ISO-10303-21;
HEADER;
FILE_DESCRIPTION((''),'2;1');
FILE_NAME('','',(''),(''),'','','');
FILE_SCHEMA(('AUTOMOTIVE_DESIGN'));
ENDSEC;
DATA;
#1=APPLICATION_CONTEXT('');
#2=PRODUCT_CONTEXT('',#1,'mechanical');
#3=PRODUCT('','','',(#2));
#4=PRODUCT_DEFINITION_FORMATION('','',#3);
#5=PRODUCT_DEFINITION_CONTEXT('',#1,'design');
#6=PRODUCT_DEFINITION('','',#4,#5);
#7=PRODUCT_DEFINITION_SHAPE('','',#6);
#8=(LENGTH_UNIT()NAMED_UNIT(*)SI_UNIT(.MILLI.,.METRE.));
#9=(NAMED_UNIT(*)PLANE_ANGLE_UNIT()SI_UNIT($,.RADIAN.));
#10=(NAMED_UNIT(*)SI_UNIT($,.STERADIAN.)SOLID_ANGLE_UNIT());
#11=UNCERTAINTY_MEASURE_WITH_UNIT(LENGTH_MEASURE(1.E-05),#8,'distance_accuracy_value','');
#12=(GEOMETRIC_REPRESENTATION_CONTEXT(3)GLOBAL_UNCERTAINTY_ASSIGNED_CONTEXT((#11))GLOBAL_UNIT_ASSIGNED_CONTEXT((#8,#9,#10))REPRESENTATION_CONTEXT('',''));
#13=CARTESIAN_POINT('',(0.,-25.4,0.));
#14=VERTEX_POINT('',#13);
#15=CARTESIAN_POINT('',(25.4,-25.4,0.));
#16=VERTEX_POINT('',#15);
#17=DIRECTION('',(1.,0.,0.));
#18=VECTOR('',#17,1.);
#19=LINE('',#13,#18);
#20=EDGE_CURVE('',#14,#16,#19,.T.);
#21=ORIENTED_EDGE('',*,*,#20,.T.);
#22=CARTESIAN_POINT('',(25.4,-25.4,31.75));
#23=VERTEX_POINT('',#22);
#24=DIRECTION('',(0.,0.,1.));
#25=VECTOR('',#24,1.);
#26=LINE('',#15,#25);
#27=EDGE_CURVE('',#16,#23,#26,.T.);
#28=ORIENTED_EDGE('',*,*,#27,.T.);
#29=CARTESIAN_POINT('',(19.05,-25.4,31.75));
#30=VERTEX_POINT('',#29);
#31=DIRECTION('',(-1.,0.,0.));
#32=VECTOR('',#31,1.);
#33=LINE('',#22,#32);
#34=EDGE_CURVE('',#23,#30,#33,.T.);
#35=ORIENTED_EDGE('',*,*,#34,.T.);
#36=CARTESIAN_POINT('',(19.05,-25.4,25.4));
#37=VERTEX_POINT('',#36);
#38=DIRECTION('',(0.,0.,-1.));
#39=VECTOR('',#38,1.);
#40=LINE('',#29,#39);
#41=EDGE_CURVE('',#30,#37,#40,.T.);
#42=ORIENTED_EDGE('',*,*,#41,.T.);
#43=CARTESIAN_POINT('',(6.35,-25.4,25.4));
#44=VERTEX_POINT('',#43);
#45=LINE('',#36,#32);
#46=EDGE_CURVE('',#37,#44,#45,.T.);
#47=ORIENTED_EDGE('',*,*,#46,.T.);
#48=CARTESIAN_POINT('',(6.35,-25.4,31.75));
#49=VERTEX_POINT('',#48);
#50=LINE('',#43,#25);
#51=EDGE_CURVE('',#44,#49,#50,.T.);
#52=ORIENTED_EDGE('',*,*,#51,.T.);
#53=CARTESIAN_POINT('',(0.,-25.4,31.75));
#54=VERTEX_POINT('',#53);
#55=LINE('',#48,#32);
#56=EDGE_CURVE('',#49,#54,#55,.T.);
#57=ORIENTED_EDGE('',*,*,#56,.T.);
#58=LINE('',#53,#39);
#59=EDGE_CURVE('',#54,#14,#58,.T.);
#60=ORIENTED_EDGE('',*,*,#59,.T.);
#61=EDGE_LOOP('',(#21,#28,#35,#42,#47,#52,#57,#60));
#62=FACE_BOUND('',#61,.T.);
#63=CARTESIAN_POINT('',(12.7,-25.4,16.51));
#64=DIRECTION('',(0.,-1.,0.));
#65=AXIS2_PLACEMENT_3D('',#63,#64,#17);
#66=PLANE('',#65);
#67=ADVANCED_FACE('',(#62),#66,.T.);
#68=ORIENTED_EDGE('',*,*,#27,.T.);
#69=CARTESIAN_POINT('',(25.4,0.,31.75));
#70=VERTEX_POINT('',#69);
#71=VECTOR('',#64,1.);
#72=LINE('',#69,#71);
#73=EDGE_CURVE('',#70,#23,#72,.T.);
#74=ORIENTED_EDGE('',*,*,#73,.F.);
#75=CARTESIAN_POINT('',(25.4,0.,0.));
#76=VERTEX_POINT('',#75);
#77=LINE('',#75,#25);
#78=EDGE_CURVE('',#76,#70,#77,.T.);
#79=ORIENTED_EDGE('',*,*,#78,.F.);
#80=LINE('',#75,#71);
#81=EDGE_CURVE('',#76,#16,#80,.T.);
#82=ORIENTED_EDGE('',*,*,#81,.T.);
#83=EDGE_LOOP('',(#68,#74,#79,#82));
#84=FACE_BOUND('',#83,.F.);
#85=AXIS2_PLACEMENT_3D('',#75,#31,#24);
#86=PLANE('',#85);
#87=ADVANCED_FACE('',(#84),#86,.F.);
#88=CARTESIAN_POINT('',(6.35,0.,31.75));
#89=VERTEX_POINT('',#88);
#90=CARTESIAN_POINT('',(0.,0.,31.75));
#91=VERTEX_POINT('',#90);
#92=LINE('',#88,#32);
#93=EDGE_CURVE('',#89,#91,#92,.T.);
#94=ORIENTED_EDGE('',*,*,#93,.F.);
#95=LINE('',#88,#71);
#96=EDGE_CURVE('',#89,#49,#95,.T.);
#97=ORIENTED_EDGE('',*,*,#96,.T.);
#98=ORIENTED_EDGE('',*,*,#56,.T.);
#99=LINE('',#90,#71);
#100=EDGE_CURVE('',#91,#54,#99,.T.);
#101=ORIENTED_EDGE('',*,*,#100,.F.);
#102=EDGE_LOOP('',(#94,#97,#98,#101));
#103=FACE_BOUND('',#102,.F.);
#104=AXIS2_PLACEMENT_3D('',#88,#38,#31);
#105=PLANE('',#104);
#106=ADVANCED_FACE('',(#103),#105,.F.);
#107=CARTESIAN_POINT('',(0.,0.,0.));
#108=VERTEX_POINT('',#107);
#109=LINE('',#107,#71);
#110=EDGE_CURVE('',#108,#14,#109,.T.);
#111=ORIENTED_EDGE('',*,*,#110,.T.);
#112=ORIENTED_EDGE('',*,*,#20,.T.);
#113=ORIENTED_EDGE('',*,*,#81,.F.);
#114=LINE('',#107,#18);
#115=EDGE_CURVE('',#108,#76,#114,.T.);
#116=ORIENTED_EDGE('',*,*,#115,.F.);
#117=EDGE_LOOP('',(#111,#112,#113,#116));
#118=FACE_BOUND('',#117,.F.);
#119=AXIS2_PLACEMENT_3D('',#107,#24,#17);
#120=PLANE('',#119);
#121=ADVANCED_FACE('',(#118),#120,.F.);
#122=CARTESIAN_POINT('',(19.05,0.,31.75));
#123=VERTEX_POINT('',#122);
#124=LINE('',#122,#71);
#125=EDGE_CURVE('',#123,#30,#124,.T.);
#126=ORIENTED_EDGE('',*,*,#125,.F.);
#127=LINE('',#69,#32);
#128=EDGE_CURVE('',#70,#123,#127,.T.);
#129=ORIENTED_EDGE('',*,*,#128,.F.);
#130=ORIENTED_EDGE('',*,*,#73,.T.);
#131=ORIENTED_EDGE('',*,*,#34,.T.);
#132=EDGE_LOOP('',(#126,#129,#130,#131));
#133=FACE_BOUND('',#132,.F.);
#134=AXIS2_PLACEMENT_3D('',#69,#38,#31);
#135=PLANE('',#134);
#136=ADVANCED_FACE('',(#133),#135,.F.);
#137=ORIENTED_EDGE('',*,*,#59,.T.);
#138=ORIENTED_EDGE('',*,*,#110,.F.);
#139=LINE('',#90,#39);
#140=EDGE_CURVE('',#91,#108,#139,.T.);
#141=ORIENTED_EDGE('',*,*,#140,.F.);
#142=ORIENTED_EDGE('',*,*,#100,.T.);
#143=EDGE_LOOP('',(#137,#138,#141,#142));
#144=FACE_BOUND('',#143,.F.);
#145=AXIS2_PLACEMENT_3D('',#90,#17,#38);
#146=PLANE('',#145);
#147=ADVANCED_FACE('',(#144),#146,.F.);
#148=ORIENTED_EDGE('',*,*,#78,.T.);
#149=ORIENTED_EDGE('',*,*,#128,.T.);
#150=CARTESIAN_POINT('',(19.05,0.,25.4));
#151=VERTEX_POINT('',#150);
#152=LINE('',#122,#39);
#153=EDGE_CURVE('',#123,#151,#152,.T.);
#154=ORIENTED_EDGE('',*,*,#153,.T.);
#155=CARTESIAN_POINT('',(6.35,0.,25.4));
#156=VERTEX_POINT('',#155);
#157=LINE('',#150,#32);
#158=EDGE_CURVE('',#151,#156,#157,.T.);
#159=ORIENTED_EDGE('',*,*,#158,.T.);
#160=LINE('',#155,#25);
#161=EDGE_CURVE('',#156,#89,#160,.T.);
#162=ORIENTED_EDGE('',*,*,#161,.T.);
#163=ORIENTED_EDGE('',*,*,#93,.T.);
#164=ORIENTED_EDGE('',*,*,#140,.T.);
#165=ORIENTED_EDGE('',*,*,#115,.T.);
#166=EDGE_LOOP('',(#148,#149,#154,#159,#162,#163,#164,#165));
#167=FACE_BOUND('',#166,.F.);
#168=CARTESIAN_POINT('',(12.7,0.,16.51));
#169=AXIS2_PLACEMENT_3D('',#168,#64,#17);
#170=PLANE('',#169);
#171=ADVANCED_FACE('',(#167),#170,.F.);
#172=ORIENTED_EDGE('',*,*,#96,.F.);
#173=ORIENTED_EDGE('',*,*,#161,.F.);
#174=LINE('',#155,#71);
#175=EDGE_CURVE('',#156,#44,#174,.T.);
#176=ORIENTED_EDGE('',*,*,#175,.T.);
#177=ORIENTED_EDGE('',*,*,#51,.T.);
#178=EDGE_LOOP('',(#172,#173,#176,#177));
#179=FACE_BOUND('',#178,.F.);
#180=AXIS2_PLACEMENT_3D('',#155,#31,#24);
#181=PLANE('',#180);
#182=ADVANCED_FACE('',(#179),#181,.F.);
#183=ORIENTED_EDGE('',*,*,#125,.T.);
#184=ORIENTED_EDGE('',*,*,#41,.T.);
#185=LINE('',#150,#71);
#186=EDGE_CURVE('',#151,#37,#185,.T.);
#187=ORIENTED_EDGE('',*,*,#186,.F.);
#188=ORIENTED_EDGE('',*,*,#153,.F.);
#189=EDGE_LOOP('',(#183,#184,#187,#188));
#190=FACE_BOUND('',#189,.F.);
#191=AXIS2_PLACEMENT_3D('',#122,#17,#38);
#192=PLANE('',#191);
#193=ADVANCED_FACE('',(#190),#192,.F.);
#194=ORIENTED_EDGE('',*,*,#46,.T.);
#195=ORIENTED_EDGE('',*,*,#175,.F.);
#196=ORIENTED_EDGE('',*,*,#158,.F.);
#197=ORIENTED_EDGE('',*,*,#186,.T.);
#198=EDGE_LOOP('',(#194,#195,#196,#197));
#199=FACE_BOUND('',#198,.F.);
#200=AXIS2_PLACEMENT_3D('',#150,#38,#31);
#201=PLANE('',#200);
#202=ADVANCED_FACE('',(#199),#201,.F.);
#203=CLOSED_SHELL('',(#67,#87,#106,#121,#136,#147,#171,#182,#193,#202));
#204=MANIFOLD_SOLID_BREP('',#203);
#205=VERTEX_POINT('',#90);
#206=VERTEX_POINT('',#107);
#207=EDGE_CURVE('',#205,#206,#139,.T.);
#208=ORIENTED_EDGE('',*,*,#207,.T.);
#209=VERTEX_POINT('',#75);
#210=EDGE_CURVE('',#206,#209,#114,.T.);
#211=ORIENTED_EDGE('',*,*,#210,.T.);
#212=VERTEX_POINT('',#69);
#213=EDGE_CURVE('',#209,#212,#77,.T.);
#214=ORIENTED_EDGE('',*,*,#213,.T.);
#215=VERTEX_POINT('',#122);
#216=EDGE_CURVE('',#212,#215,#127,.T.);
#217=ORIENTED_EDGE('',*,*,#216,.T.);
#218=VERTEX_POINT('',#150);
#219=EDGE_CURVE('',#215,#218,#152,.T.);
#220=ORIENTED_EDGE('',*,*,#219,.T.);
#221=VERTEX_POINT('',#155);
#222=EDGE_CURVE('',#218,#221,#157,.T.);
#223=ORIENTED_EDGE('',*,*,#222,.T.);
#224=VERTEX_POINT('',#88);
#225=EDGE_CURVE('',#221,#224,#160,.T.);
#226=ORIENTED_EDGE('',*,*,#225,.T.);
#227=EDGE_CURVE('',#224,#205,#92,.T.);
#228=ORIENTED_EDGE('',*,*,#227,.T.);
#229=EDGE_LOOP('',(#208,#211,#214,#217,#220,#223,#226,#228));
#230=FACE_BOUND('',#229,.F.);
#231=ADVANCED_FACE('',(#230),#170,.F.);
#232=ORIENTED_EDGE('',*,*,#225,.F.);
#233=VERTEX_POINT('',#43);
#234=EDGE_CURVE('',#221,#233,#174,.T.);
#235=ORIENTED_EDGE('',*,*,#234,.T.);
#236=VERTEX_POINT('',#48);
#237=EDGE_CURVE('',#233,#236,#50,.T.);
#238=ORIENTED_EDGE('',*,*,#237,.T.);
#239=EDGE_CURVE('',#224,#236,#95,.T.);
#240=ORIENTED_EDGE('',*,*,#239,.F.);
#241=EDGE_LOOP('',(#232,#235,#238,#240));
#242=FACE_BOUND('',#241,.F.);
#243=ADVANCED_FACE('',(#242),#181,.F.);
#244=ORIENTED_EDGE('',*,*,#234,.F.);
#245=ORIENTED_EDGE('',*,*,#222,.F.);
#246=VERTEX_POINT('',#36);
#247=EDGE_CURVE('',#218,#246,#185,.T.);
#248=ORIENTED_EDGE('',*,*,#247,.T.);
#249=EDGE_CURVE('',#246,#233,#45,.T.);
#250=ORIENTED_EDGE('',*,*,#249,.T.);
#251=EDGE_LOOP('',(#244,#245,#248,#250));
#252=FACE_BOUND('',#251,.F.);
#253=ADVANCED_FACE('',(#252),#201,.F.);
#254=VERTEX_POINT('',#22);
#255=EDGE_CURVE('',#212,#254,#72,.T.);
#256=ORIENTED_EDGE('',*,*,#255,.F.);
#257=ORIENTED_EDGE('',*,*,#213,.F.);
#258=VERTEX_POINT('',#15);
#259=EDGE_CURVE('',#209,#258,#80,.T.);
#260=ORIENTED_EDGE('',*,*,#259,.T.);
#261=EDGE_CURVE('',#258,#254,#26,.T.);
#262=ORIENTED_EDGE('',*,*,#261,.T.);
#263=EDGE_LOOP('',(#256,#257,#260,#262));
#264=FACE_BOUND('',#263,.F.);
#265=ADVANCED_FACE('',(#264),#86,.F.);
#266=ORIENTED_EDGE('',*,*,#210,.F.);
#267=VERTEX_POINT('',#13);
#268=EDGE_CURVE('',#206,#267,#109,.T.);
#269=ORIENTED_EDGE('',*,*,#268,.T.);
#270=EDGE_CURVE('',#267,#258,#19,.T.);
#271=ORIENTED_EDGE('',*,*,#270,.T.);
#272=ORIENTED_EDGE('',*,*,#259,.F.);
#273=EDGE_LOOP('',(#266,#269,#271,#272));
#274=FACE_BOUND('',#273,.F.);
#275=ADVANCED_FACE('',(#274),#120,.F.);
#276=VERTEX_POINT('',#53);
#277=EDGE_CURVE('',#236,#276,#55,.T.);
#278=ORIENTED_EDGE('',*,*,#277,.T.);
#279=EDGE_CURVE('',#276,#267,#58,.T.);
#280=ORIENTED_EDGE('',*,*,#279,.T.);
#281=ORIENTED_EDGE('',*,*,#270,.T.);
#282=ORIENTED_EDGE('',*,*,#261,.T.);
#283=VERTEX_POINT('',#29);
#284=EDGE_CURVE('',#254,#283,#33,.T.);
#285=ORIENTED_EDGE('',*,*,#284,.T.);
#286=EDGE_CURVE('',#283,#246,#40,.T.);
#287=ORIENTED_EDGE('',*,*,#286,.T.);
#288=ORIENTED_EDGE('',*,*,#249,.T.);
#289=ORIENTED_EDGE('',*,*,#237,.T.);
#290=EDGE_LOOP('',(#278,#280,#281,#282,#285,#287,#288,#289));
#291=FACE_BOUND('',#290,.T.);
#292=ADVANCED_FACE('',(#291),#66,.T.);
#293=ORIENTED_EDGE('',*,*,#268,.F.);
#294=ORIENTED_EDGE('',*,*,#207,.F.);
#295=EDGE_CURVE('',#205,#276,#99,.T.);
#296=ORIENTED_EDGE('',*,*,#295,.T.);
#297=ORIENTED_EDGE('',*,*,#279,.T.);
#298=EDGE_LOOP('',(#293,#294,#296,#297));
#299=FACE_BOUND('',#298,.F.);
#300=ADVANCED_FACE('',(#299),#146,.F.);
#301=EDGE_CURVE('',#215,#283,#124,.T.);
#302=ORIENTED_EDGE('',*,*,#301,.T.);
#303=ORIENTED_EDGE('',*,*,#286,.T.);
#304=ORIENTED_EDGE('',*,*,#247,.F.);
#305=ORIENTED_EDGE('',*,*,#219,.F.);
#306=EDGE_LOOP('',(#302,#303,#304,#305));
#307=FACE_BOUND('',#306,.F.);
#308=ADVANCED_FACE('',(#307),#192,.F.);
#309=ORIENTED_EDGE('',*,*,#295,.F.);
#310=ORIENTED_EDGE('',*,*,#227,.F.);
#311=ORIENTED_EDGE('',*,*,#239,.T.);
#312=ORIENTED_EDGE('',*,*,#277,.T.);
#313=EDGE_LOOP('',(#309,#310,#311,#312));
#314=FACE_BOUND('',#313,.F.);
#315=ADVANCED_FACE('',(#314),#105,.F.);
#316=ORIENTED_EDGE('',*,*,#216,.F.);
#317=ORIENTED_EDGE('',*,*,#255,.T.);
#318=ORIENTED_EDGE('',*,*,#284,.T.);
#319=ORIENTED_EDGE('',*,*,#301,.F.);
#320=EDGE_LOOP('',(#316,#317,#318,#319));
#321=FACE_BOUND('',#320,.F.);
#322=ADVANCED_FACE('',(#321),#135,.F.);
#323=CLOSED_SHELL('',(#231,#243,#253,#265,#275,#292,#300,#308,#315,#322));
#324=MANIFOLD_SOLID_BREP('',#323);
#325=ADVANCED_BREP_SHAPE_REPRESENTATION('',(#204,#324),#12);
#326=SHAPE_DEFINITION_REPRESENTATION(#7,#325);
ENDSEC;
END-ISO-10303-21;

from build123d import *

# Parameters (mm, degrees)
F1_DEPTH = 25.4
F2_DEPTH = 25.4
F3_W     = 4.8232981935
F3_H     = 8.227978833
F4_DEPTH = 25.4


with BuildPart() as f1:
    # F0 (on Front) → F1 (new body)
    with BuildSketch(Plane.XZ):
        Polygon((0, 31.75), (0, 0), (25.4, 0), (25.4, 31.75), (19.05, 31.75), (19.05, 25.4), (6.35, 25.4), (6.35, 31.75), align=None)
    extrude(amount=F1_DEPTH)

    # F3 (on Front) → F4 (cut)
    with BuildSketch(Plane.XZ):
        with Locations((13.625479769, 4.1139894165)):
            Rectangle(F3_W, F3_H)
    extrude(amount=-F4_DEPTH, mode=Mode.SUBTRACT)


with BuildPart() as f2:
    # F0 (on Front) → F2 (new body)
    with BuildSketch(Plane.XZ):
        Polygon((0, 31.75), (0, 0), (25.4, 0), (25.4, 31.75), (19.05, 31.75), (19.05, 25.4), (6.35, 25.4), (6.35, 31.75), align=None)
    extrude(amount=F2_DEPTH)


solid = Compound([f1.part, f2.part])
